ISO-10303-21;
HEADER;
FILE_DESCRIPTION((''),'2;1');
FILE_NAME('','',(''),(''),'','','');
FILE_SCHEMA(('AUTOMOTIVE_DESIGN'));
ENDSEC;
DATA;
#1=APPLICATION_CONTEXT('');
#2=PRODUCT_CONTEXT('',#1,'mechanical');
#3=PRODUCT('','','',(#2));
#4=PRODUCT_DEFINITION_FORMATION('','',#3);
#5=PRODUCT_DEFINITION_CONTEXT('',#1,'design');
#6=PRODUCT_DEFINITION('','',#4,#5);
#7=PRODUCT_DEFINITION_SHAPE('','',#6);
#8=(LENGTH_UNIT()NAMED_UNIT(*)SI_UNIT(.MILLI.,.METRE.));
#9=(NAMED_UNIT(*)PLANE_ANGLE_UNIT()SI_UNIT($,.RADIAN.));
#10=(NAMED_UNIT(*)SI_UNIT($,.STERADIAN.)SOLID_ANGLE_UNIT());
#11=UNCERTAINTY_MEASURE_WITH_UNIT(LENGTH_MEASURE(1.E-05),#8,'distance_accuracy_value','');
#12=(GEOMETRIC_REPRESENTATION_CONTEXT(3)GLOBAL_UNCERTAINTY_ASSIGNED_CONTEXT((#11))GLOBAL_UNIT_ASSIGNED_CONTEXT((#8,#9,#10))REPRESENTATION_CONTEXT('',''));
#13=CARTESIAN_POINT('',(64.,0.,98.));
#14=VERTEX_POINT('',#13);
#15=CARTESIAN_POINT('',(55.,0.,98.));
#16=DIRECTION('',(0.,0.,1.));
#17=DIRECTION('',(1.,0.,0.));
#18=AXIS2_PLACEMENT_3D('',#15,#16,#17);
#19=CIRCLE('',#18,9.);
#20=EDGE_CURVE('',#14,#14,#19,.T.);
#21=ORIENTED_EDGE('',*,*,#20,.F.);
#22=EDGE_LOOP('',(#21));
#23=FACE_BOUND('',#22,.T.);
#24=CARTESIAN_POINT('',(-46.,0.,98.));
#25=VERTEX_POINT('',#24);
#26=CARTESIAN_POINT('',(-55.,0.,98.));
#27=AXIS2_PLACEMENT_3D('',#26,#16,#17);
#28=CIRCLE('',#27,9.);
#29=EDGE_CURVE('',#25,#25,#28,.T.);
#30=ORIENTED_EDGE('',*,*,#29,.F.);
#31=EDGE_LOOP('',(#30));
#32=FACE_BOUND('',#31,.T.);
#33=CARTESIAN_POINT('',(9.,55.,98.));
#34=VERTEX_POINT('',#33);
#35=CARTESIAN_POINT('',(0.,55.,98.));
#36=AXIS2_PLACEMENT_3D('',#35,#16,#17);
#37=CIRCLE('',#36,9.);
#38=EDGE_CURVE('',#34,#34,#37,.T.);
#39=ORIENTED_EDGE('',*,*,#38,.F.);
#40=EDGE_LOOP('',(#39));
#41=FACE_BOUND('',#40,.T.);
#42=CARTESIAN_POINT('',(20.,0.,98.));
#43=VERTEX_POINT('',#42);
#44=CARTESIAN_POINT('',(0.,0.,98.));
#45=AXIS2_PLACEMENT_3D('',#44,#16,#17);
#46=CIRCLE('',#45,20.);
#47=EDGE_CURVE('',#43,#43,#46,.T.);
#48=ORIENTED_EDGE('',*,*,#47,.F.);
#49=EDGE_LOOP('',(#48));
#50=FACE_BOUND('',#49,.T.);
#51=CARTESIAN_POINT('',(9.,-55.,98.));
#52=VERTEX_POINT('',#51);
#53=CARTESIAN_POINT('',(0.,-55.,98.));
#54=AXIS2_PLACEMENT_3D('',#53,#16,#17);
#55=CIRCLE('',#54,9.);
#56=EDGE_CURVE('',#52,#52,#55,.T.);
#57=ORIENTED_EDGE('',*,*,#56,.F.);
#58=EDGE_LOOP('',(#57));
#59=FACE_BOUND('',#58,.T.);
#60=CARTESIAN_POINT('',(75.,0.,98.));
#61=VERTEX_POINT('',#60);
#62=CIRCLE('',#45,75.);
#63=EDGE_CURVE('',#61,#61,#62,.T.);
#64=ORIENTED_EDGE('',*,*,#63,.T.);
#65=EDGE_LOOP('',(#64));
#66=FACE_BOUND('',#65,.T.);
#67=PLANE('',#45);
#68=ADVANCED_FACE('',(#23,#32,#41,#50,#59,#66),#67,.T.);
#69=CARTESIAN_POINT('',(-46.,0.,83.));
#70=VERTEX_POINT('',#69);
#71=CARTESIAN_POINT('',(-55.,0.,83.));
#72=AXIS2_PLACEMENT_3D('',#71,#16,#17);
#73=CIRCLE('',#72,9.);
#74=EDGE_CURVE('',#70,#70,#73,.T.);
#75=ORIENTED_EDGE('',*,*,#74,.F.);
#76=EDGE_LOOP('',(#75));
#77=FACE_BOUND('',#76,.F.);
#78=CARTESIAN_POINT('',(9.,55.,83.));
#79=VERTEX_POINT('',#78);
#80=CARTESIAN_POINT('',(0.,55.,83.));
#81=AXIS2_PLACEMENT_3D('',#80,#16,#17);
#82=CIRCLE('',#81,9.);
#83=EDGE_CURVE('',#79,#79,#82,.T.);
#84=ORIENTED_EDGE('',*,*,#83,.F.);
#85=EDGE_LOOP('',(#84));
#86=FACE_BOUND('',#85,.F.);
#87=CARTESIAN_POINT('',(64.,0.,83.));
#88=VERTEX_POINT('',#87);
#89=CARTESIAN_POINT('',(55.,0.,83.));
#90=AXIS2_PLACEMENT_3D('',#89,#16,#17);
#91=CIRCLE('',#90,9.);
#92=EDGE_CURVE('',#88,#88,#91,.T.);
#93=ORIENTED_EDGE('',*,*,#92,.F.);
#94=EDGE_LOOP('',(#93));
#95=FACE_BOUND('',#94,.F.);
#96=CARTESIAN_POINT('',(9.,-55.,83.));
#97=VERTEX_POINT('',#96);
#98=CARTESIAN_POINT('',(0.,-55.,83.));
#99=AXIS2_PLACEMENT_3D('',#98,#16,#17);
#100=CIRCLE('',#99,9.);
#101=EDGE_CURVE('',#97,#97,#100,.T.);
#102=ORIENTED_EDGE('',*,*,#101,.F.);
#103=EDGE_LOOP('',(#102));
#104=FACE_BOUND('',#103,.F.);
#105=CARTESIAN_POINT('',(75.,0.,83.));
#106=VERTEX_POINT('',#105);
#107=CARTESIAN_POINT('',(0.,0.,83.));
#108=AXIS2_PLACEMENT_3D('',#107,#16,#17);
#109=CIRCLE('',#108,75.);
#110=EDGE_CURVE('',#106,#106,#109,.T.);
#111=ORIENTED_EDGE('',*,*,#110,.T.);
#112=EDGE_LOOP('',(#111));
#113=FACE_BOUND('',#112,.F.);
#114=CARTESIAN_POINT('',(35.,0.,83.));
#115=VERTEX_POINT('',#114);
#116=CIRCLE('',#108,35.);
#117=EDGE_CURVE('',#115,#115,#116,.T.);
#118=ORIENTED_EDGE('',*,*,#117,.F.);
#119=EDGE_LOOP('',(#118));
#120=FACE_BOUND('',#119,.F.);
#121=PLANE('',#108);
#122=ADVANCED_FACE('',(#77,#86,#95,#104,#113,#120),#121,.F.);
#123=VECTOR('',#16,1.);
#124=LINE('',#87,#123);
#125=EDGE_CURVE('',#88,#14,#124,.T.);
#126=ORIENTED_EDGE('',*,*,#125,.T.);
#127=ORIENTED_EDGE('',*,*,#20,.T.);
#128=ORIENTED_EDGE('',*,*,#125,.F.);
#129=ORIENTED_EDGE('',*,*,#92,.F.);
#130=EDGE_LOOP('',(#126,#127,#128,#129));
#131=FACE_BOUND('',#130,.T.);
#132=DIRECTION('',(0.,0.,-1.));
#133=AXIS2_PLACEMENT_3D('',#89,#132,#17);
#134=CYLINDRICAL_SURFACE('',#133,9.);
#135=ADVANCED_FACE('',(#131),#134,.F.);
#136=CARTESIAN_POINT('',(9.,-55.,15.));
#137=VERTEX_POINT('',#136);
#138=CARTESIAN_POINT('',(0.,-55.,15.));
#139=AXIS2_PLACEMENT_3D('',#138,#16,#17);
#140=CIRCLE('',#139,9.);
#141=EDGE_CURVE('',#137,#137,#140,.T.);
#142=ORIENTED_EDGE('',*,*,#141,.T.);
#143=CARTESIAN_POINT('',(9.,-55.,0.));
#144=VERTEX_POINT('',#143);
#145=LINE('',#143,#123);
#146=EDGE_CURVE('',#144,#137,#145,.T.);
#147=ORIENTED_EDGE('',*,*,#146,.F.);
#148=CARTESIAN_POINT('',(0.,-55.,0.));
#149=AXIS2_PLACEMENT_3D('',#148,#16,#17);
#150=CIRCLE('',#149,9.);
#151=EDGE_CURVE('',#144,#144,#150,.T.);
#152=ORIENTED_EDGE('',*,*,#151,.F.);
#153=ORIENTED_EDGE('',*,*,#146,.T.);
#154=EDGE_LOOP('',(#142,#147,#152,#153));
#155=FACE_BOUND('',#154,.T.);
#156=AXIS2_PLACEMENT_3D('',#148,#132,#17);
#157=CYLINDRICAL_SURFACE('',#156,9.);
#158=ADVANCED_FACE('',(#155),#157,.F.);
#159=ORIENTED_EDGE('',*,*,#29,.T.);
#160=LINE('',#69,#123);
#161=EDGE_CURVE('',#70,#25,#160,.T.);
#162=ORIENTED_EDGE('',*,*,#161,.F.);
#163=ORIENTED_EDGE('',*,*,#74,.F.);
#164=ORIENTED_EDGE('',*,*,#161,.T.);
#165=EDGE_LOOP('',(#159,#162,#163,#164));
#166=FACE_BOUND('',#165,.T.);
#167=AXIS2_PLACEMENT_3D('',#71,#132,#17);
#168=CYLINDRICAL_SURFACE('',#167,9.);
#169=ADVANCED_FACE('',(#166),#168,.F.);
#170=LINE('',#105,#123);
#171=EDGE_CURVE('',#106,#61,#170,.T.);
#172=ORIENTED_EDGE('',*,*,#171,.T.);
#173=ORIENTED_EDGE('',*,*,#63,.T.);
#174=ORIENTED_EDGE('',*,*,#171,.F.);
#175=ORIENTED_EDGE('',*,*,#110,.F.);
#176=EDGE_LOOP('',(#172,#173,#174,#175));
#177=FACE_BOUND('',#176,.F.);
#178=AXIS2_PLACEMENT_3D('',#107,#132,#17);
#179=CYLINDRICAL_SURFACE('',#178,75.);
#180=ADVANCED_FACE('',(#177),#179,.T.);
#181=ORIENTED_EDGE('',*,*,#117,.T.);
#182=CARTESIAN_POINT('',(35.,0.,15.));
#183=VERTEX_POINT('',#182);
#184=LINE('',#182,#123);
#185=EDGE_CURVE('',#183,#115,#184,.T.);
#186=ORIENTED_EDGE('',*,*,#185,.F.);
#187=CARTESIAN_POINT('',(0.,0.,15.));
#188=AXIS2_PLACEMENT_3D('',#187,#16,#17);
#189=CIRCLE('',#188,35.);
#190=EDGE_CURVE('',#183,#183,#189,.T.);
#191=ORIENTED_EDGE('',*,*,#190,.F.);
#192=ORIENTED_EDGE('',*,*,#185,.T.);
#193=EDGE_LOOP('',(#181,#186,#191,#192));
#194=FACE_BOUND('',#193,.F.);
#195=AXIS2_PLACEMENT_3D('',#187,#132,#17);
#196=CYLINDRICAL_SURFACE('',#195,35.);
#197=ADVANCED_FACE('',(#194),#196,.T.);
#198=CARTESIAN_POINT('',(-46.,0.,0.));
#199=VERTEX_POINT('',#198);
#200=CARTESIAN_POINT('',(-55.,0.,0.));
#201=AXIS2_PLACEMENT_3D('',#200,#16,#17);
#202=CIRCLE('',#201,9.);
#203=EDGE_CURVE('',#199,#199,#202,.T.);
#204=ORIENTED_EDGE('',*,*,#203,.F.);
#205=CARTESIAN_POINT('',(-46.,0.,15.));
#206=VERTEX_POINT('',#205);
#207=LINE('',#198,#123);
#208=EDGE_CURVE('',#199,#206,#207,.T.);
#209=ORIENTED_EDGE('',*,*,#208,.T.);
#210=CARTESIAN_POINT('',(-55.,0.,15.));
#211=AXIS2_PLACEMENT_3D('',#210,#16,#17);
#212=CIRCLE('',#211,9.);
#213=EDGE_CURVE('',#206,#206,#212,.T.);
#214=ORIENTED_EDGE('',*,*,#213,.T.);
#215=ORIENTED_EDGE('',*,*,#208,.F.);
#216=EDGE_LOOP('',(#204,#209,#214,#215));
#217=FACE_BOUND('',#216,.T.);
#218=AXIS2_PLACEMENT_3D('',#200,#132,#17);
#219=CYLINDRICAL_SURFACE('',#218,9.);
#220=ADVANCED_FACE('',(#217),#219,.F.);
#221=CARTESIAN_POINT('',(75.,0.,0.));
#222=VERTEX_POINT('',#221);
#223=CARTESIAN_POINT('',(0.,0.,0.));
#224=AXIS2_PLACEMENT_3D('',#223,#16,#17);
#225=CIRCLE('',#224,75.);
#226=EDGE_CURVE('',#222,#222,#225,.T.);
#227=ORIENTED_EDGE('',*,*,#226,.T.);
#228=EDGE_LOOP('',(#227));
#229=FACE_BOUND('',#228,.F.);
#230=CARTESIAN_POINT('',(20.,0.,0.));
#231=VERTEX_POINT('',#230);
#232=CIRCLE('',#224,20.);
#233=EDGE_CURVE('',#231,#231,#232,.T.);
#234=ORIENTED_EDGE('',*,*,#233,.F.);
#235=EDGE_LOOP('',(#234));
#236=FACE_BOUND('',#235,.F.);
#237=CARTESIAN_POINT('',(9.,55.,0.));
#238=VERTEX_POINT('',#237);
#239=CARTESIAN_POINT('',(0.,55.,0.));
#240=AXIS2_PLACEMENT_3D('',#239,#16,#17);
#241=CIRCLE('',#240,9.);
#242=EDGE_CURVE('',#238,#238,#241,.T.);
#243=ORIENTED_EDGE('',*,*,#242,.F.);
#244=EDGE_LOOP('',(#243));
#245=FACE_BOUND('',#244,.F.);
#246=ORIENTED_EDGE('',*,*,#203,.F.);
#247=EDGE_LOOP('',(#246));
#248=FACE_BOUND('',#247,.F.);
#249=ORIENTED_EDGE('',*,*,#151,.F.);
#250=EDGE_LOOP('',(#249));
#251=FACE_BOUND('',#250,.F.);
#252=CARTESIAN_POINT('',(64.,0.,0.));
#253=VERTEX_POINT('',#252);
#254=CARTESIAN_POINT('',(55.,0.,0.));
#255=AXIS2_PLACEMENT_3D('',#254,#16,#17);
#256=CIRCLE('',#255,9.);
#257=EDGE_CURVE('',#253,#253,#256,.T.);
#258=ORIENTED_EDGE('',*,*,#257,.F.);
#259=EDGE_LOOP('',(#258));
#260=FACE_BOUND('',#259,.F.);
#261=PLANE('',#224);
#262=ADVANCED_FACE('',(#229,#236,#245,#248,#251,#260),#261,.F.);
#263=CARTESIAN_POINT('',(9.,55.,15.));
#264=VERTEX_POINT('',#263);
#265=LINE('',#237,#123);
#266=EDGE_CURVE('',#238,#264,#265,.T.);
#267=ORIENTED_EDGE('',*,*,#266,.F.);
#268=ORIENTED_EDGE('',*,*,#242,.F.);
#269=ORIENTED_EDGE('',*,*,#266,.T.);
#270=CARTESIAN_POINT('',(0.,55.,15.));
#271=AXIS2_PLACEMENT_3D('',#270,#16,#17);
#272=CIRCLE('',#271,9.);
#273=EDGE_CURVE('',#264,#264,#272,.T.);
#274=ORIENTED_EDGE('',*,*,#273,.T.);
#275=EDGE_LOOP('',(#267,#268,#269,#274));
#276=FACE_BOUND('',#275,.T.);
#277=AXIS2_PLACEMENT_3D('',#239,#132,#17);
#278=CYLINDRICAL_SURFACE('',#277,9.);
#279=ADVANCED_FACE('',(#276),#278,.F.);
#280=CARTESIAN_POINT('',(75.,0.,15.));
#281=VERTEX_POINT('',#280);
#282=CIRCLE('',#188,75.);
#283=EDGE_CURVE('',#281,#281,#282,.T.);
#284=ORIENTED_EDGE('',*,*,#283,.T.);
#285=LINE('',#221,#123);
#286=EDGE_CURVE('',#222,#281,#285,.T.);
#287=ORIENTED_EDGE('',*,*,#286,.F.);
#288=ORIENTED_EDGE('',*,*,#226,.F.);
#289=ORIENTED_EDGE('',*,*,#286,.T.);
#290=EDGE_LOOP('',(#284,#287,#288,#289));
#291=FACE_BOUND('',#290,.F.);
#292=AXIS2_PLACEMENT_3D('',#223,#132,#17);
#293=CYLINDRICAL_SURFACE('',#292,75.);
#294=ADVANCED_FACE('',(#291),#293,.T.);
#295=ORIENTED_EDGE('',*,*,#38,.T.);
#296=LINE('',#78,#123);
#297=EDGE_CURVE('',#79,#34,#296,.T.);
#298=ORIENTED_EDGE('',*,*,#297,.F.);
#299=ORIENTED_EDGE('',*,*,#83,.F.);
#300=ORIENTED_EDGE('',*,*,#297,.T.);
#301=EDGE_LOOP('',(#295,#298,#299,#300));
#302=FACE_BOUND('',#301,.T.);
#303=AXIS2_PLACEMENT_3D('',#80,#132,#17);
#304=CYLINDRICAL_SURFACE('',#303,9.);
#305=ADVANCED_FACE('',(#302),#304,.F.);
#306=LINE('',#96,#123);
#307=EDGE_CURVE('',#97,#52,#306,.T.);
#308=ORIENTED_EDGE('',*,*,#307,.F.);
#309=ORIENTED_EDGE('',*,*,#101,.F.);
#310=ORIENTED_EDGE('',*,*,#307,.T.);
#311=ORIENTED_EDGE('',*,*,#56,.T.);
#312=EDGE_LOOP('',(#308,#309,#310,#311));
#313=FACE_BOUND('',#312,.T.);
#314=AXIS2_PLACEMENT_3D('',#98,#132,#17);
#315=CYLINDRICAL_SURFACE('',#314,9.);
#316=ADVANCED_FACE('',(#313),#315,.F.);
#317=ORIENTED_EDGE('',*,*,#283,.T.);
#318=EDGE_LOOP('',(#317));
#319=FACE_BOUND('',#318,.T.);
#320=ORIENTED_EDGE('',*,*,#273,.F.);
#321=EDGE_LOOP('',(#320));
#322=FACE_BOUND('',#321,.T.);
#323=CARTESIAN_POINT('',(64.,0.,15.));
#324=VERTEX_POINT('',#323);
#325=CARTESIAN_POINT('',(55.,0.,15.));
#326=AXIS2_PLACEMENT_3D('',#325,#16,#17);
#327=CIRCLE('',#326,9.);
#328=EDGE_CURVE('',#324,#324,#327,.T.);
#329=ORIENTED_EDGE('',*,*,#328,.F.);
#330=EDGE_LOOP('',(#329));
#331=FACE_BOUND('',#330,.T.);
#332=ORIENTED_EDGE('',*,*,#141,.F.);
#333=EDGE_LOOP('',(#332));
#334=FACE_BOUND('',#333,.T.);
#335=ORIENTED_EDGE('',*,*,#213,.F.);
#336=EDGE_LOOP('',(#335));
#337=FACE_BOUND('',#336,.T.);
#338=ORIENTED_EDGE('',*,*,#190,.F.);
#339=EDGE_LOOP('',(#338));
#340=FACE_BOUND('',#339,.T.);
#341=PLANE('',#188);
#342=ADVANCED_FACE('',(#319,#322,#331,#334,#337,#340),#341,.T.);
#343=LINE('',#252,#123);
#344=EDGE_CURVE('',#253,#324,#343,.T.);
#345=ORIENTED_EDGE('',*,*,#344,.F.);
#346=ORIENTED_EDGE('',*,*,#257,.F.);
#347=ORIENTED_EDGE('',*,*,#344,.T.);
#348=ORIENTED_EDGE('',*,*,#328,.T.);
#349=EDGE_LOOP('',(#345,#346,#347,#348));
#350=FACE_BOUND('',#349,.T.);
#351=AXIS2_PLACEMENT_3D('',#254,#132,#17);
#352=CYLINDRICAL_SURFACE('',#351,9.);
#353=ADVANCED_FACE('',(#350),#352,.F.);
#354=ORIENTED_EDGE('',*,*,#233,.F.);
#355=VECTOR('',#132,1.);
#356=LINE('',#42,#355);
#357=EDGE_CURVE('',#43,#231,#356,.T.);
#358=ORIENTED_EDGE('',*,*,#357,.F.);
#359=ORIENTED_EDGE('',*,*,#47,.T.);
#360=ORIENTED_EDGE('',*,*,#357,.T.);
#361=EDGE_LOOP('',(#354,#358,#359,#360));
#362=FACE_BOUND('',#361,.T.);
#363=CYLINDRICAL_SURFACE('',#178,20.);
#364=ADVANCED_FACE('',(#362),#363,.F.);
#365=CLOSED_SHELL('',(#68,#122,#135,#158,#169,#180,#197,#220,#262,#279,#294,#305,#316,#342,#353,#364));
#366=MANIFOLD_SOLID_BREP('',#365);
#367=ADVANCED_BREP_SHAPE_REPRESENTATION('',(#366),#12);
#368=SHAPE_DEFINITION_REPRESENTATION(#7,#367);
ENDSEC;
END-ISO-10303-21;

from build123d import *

# Parameters (mm, degrees)
F0_R     = 75
F0_R_2   = 9
F0_R_3   = 20
F1_DEPTH = 15
F2_R     = 35
F2_R_2   = 20
F3_DEPTH = 68
F4_R     = 75
F4_R_2   = 9
F4_R_3   = 20
F5_DEPTH = 15


with BuildPart() as f1:
    # F0 (on Top) → F1 (new body)
    with BuildSketch(Plane.XY):
        Circle(F0_R)
        with Locations((0, -55)):
            Circle(F0_R_2, mode=Mode.SUBTRACT)
        with Locations((-55, 0)):
            Circle(F0_R_2, mode=Mode.SUBTRACT)
        Circle(F0_R_3, mode=Mode.SUBTRACT)
        with Locations((55, 0)):
            Circle(F0_R_2, mode=Mode.SUBTRACT)
        with Locations((0, 55)):
            Circle(F0_R_2, mode=Mode.SUBTRACT)
    extrude(amount=F1_DEPTH)

    # F2 (on face) → F3 (join)
    with BuildSketch(Plane.XY.offset(15)):
        Circle(F2_R)
        Circle(F2_R_2, mode=Mode.SUBTRACT)
    extrude(amount=F3_DEPTH)

    # F4 (on face) → F5 (join)
    with BuildSketch(Plane.XY.offset(83)):
        Circle(F4_R)
        with Locations((0, -55)):
            Circle(F4_R_2, mode=Mode.SUBTRACT)
        with Locations((-55, 0)):
            Circle(F4_R_2, mode=Mode.SUBTRACT)
        Circle(F4_R_3, mode=Mode.SUBTRACT)
        with Locations((55, 0)):
            Circle(F4_R_2, mode=Mode.SUBTRACT)
        with Locations((0, 55)):
            Circle(F4_R_2, mode=Mode.SUBTRACT)
    extrude(amount=F5_DEPTH)


solid = f1.part
